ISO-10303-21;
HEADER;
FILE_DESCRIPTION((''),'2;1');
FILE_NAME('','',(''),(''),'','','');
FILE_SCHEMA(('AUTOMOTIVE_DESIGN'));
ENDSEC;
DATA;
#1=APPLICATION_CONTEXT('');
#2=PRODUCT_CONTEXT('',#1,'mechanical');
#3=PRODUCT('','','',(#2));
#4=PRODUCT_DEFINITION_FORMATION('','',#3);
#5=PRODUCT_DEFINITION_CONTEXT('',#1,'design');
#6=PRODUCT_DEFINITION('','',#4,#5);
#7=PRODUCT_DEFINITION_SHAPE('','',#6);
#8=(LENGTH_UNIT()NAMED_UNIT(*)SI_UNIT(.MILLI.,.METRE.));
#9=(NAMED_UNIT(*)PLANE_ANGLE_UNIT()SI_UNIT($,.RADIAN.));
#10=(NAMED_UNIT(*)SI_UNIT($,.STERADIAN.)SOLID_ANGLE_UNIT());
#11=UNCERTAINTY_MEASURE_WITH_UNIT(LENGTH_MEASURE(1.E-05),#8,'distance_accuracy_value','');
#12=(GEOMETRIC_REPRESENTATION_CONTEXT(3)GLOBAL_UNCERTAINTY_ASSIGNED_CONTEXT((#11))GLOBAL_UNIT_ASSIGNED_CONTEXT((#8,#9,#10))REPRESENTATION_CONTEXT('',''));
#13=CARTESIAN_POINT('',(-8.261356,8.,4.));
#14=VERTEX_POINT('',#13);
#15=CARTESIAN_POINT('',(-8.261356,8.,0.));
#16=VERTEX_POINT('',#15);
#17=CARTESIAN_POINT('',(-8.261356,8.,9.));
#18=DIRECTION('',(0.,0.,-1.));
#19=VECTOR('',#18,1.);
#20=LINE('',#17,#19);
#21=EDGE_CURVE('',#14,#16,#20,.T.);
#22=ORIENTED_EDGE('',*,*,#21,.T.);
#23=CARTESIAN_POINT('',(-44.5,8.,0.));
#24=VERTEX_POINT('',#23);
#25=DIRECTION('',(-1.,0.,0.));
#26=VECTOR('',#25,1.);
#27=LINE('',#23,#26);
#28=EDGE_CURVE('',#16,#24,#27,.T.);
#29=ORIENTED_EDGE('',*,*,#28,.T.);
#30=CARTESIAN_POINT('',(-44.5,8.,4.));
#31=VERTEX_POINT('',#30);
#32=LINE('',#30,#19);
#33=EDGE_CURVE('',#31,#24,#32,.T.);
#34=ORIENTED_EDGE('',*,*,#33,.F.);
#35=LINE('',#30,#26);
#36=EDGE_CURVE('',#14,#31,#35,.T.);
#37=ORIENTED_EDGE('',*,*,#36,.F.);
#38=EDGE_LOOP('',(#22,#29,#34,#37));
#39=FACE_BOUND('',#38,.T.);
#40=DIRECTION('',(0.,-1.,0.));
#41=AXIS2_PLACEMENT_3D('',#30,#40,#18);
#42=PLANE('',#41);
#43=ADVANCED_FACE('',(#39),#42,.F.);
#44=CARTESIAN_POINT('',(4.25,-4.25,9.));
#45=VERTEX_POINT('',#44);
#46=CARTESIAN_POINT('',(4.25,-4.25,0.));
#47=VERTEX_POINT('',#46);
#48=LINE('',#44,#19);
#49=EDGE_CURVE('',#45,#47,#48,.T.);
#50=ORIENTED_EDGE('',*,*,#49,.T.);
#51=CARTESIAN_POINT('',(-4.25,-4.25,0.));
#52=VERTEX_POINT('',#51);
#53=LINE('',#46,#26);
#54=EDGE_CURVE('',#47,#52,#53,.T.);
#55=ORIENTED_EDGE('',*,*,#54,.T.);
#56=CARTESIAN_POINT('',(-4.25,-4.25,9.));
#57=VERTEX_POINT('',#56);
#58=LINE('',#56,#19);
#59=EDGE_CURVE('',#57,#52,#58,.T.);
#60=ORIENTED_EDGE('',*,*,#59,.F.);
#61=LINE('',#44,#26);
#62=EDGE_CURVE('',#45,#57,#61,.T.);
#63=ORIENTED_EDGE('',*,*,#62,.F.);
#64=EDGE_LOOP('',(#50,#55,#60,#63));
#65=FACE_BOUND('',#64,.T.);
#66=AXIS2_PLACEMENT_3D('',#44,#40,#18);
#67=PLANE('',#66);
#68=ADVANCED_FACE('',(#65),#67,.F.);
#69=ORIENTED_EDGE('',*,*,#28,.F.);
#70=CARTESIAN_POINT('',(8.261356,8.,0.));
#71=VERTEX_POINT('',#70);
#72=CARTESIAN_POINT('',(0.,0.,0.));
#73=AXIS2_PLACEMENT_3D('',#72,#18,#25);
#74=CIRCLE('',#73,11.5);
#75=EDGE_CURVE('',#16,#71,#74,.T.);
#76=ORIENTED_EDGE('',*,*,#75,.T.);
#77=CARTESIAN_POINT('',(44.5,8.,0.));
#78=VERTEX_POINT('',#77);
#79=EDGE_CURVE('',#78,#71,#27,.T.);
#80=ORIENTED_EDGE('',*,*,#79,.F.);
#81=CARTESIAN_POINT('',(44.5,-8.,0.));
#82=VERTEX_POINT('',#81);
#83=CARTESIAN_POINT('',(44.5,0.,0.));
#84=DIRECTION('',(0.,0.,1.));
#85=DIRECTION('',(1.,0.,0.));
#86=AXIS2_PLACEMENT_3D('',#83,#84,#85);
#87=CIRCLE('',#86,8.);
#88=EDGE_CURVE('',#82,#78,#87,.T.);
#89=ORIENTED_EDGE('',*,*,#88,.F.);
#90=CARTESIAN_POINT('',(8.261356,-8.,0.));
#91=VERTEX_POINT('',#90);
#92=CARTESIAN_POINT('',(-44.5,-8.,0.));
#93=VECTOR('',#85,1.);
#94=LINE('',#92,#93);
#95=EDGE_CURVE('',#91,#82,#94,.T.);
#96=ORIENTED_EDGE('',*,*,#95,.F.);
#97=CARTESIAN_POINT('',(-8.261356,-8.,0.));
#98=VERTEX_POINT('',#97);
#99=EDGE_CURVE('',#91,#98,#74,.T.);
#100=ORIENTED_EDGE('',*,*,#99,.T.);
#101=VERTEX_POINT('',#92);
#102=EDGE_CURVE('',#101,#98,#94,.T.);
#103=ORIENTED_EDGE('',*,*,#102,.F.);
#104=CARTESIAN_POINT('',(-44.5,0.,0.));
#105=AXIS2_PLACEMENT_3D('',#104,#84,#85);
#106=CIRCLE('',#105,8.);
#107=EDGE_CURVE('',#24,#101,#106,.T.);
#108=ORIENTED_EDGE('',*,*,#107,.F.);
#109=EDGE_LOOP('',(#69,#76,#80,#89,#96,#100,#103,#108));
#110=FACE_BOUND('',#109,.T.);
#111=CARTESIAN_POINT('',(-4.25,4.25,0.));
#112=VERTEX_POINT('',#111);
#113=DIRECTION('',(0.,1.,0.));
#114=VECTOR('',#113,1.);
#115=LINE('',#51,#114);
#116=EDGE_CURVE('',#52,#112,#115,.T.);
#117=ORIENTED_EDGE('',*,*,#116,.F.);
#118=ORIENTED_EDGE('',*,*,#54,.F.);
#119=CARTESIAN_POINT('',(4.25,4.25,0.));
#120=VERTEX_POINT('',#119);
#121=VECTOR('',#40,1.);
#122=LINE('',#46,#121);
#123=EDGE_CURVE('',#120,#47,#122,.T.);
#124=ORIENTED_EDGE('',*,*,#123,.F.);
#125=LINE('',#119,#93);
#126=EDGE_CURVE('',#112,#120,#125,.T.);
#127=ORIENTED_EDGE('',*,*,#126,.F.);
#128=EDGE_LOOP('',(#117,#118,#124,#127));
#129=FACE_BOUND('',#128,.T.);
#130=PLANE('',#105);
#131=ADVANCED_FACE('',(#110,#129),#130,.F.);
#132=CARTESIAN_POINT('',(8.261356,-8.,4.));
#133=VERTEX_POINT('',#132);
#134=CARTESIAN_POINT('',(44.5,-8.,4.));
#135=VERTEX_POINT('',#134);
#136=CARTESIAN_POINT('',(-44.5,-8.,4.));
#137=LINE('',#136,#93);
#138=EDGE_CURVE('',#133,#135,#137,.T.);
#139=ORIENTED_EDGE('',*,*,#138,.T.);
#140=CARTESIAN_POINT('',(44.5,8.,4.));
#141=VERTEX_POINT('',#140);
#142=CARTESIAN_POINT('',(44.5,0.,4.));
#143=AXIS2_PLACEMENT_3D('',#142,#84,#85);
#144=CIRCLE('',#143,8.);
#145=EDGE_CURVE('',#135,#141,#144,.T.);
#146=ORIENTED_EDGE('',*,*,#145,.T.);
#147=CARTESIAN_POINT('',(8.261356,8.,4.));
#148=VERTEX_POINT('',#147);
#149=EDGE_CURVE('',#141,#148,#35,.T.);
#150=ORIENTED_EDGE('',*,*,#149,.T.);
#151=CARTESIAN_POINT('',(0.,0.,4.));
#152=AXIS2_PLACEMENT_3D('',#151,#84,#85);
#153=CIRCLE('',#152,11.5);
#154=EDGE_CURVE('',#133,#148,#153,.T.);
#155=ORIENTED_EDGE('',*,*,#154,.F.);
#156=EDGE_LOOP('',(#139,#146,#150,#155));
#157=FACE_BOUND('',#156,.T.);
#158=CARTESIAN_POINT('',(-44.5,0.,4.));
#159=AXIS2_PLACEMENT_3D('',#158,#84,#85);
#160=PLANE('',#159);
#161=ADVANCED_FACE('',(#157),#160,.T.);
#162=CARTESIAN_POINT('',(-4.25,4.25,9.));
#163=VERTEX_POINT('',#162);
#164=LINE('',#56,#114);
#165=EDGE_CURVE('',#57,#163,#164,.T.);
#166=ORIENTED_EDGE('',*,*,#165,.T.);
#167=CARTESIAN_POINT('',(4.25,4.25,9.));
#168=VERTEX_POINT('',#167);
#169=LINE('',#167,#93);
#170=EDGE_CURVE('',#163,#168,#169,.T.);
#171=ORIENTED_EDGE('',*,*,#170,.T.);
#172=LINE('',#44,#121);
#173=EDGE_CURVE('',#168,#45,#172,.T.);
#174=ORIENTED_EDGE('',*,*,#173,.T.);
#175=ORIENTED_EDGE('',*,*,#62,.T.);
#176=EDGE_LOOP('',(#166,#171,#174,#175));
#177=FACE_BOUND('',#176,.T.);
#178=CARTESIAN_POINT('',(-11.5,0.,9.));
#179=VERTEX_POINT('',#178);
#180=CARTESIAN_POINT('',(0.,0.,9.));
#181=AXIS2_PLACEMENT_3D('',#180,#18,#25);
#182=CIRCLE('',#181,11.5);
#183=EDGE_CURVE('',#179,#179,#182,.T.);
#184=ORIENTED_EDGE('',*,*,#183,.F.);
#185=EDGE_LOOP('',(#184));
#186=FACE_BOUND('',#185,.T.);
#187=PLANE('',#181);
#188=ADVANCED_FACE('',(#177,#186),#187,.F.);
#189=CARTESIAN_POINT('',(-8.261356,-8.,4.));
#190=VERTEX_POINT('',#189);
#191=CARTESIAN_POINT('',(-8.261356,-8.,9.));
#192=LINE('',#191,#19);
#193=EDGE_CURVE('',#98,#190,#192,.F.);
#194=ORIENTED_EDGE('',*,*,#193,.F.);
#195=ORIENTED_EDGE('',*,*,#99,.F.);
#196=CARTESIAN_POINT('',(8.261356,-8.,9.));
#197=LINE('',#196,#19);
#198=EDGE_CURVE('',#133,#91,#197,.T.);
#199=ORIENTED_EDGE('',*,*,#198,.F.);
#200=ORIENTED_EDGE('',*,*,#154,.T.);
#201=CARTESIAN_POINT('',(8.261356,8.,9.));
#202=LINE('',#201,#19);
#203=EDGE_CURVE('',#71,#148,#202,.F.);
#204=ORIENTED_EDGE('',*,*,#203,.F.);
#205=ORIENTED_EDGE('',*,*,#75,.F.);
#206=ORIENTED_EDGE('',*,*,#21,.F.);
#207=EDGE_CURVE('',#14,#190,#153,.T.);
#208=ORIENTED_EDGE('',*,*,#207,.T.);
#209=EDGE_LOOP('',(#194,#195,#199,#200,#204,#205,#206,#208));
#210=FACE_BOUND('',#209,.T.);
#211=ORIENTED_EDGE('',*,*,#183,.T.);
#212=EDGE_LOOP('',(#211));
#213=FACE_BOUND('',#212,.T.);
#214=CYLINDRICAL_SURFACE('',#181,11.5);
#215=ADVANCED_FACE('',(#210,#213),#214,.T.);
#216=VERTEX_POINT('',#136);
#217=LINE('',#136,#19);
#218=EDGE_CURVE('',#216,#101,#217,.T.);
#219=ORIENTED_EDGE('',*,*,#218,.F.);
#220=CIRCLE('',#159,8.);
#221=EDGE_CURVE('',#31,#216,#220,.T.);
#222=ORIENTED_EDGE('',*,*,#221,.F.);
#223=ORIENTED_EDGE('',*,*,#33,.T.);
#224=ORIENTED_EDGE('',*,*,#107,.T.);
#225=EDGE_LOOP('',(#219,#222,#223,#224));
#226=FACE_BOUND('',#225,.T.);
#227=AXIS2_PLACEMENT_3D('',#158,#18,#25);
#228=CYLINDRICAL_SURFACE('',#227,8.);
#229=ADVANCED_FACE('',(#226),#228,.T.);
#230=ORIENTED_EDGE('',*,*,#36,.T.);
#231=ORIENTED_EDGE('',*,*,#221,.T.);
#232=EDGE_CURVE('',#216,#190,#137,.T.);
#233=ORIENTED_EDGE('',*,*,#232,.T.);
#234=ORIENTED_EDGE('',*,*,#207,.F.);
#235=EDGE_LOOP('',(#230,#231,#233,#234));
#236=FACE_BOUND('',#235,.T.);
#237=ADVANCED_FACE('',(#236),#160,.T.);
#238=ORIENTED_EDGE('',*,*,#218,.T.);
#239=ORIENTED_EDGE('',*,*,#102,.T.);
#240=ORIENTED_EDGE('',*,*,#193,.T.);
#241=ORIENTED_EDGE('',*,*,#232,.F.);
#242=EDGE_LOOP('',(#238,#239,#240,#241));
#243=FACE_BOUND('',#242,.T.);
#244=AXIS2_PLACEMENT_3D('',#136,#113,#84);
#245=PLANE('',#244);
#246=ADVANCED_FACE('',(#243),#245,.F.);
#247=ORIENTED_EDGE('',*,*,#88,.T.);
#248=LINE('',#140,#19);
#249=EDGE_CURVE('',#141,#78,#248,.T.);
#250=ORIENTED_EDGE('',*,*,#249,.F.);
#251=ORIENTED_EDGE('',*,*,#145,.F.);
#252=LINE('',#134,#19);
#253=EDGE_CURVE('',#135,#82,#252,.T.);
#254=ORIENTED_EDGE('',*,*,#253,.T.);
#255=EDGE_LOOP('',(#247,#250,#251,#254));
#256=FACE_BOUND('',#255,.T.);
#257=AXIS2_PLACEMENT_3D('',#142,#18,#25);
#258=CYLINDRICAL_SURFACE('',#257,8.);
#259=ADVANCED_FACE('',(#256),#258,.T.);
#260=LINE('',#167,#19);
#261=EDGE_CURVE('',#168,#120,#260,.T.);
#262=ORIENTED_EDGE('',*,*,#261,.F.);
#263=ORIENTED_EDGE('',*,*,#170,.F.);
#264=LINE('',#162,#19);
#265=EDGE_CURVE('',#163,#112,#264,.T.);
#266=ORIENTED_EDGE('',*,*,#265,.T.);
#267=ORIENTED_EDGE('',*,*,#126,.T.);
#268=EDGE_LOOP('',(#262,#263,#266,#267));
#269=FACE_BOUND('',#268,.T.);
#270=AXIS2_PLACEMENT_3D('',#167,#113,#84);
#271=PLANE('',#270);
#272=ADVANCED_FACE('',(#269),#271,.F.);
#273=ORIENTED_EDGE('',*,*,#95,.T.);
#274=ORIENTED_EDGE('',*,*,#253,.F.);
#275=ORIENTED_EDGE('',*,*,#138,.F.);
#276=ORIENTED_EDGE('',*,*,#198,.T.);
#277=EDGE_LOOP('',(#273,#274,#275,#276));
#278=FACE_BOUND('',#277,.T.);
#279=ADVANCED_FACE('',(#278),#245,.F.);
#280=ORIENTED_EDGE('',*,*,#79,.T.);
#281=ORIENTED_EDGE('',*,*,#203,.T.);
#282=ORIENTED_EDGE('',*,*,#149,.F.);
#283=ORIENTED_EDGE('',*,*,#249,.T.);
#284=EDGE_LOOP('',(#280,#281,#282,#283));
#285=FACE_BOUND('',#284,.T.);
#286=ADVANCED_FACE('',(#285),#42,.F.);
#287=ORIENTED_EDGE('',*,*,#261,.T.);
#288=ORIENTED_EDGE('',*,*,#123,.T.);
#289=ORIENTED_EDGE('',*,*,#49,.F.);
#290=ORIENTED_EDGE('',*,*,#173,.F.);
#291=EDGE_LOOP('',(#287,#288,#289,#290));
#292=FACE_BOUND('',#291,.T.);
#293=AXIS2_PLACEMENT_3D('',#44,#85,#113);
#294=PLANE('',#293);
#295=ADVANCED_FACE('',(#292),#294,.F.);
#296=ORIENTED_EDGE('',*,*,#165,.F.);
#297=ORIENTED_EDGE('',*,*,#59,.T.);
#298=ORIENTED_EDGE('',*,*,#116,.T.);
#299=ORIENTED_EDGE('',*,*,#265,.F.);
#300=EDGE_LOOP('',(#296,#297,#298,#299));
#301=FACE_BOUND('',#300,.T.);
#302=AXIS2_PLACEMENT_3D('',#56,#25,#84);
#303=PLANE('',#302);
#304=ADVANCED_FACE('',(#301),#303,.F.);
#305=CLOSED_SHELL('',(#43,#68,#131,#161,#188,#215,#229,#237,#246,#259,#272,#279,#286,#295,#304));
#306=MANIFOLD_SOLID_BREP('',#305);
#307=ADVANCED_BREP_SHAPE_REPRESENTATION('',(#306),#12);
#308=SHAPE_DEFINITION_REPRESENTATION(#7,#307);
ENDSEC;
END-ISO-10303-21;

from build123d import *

# Parameters (mm, degrees)
EXTRUDE_1_DEPTH     = 4
SKETCH_2_R          = 11.5
EXTRUDE_2_DEPTH     = 9
SKETCH_3_W          = 8.5
SKETCH_3_H          = 8.5
CUT_EXTRUDE_1_DEPTH = 10


with BuildPart() as part:
    # Эскиз1 → Бобышка-Вытянуть1 (new body)
    with BuildSketch(Plane.XY):
        with BuildLine():
            Line((-44.5, 8), (44.5, 8))
            ThreePointArc((44.5, 8), (52.5, 0), (44.5, -8))
            Line((44.5, -8), (-44.5, -8))
            ThreePointArc((-44.5, -8), (-52.5, 0), (-44.5, 8))
        make_face()
    extrude(amount=EXTRUDE_1_DEPTH)

    # Эскиз2 → Бобышка-Вытянуть2 (add)
    with BuildSketch(Plane(origin=(0, 0, 0), x_dir=(-1, 0, 0), z_dir=(0, 0, -1))):
        Circle(SKETCH_2_R)
    extrude(amount=-EXTRUDE_2_DEPTH)

    # Эскиз3 → Вырез-Вытянуть1 (cut, through all)
    with BuildSketch(Plane(origin=(0, 0, 0), x_dir=(-1, 0, 0), z_dir=(0, 0, -1))):
        Rectangle(SKETCH_3_W, SKETCH_3_H)
    extrude(amount=-CUT_EXTRUDE_1_DEPTH, mode=Mode.SUBTRACT)


solid = part.part
